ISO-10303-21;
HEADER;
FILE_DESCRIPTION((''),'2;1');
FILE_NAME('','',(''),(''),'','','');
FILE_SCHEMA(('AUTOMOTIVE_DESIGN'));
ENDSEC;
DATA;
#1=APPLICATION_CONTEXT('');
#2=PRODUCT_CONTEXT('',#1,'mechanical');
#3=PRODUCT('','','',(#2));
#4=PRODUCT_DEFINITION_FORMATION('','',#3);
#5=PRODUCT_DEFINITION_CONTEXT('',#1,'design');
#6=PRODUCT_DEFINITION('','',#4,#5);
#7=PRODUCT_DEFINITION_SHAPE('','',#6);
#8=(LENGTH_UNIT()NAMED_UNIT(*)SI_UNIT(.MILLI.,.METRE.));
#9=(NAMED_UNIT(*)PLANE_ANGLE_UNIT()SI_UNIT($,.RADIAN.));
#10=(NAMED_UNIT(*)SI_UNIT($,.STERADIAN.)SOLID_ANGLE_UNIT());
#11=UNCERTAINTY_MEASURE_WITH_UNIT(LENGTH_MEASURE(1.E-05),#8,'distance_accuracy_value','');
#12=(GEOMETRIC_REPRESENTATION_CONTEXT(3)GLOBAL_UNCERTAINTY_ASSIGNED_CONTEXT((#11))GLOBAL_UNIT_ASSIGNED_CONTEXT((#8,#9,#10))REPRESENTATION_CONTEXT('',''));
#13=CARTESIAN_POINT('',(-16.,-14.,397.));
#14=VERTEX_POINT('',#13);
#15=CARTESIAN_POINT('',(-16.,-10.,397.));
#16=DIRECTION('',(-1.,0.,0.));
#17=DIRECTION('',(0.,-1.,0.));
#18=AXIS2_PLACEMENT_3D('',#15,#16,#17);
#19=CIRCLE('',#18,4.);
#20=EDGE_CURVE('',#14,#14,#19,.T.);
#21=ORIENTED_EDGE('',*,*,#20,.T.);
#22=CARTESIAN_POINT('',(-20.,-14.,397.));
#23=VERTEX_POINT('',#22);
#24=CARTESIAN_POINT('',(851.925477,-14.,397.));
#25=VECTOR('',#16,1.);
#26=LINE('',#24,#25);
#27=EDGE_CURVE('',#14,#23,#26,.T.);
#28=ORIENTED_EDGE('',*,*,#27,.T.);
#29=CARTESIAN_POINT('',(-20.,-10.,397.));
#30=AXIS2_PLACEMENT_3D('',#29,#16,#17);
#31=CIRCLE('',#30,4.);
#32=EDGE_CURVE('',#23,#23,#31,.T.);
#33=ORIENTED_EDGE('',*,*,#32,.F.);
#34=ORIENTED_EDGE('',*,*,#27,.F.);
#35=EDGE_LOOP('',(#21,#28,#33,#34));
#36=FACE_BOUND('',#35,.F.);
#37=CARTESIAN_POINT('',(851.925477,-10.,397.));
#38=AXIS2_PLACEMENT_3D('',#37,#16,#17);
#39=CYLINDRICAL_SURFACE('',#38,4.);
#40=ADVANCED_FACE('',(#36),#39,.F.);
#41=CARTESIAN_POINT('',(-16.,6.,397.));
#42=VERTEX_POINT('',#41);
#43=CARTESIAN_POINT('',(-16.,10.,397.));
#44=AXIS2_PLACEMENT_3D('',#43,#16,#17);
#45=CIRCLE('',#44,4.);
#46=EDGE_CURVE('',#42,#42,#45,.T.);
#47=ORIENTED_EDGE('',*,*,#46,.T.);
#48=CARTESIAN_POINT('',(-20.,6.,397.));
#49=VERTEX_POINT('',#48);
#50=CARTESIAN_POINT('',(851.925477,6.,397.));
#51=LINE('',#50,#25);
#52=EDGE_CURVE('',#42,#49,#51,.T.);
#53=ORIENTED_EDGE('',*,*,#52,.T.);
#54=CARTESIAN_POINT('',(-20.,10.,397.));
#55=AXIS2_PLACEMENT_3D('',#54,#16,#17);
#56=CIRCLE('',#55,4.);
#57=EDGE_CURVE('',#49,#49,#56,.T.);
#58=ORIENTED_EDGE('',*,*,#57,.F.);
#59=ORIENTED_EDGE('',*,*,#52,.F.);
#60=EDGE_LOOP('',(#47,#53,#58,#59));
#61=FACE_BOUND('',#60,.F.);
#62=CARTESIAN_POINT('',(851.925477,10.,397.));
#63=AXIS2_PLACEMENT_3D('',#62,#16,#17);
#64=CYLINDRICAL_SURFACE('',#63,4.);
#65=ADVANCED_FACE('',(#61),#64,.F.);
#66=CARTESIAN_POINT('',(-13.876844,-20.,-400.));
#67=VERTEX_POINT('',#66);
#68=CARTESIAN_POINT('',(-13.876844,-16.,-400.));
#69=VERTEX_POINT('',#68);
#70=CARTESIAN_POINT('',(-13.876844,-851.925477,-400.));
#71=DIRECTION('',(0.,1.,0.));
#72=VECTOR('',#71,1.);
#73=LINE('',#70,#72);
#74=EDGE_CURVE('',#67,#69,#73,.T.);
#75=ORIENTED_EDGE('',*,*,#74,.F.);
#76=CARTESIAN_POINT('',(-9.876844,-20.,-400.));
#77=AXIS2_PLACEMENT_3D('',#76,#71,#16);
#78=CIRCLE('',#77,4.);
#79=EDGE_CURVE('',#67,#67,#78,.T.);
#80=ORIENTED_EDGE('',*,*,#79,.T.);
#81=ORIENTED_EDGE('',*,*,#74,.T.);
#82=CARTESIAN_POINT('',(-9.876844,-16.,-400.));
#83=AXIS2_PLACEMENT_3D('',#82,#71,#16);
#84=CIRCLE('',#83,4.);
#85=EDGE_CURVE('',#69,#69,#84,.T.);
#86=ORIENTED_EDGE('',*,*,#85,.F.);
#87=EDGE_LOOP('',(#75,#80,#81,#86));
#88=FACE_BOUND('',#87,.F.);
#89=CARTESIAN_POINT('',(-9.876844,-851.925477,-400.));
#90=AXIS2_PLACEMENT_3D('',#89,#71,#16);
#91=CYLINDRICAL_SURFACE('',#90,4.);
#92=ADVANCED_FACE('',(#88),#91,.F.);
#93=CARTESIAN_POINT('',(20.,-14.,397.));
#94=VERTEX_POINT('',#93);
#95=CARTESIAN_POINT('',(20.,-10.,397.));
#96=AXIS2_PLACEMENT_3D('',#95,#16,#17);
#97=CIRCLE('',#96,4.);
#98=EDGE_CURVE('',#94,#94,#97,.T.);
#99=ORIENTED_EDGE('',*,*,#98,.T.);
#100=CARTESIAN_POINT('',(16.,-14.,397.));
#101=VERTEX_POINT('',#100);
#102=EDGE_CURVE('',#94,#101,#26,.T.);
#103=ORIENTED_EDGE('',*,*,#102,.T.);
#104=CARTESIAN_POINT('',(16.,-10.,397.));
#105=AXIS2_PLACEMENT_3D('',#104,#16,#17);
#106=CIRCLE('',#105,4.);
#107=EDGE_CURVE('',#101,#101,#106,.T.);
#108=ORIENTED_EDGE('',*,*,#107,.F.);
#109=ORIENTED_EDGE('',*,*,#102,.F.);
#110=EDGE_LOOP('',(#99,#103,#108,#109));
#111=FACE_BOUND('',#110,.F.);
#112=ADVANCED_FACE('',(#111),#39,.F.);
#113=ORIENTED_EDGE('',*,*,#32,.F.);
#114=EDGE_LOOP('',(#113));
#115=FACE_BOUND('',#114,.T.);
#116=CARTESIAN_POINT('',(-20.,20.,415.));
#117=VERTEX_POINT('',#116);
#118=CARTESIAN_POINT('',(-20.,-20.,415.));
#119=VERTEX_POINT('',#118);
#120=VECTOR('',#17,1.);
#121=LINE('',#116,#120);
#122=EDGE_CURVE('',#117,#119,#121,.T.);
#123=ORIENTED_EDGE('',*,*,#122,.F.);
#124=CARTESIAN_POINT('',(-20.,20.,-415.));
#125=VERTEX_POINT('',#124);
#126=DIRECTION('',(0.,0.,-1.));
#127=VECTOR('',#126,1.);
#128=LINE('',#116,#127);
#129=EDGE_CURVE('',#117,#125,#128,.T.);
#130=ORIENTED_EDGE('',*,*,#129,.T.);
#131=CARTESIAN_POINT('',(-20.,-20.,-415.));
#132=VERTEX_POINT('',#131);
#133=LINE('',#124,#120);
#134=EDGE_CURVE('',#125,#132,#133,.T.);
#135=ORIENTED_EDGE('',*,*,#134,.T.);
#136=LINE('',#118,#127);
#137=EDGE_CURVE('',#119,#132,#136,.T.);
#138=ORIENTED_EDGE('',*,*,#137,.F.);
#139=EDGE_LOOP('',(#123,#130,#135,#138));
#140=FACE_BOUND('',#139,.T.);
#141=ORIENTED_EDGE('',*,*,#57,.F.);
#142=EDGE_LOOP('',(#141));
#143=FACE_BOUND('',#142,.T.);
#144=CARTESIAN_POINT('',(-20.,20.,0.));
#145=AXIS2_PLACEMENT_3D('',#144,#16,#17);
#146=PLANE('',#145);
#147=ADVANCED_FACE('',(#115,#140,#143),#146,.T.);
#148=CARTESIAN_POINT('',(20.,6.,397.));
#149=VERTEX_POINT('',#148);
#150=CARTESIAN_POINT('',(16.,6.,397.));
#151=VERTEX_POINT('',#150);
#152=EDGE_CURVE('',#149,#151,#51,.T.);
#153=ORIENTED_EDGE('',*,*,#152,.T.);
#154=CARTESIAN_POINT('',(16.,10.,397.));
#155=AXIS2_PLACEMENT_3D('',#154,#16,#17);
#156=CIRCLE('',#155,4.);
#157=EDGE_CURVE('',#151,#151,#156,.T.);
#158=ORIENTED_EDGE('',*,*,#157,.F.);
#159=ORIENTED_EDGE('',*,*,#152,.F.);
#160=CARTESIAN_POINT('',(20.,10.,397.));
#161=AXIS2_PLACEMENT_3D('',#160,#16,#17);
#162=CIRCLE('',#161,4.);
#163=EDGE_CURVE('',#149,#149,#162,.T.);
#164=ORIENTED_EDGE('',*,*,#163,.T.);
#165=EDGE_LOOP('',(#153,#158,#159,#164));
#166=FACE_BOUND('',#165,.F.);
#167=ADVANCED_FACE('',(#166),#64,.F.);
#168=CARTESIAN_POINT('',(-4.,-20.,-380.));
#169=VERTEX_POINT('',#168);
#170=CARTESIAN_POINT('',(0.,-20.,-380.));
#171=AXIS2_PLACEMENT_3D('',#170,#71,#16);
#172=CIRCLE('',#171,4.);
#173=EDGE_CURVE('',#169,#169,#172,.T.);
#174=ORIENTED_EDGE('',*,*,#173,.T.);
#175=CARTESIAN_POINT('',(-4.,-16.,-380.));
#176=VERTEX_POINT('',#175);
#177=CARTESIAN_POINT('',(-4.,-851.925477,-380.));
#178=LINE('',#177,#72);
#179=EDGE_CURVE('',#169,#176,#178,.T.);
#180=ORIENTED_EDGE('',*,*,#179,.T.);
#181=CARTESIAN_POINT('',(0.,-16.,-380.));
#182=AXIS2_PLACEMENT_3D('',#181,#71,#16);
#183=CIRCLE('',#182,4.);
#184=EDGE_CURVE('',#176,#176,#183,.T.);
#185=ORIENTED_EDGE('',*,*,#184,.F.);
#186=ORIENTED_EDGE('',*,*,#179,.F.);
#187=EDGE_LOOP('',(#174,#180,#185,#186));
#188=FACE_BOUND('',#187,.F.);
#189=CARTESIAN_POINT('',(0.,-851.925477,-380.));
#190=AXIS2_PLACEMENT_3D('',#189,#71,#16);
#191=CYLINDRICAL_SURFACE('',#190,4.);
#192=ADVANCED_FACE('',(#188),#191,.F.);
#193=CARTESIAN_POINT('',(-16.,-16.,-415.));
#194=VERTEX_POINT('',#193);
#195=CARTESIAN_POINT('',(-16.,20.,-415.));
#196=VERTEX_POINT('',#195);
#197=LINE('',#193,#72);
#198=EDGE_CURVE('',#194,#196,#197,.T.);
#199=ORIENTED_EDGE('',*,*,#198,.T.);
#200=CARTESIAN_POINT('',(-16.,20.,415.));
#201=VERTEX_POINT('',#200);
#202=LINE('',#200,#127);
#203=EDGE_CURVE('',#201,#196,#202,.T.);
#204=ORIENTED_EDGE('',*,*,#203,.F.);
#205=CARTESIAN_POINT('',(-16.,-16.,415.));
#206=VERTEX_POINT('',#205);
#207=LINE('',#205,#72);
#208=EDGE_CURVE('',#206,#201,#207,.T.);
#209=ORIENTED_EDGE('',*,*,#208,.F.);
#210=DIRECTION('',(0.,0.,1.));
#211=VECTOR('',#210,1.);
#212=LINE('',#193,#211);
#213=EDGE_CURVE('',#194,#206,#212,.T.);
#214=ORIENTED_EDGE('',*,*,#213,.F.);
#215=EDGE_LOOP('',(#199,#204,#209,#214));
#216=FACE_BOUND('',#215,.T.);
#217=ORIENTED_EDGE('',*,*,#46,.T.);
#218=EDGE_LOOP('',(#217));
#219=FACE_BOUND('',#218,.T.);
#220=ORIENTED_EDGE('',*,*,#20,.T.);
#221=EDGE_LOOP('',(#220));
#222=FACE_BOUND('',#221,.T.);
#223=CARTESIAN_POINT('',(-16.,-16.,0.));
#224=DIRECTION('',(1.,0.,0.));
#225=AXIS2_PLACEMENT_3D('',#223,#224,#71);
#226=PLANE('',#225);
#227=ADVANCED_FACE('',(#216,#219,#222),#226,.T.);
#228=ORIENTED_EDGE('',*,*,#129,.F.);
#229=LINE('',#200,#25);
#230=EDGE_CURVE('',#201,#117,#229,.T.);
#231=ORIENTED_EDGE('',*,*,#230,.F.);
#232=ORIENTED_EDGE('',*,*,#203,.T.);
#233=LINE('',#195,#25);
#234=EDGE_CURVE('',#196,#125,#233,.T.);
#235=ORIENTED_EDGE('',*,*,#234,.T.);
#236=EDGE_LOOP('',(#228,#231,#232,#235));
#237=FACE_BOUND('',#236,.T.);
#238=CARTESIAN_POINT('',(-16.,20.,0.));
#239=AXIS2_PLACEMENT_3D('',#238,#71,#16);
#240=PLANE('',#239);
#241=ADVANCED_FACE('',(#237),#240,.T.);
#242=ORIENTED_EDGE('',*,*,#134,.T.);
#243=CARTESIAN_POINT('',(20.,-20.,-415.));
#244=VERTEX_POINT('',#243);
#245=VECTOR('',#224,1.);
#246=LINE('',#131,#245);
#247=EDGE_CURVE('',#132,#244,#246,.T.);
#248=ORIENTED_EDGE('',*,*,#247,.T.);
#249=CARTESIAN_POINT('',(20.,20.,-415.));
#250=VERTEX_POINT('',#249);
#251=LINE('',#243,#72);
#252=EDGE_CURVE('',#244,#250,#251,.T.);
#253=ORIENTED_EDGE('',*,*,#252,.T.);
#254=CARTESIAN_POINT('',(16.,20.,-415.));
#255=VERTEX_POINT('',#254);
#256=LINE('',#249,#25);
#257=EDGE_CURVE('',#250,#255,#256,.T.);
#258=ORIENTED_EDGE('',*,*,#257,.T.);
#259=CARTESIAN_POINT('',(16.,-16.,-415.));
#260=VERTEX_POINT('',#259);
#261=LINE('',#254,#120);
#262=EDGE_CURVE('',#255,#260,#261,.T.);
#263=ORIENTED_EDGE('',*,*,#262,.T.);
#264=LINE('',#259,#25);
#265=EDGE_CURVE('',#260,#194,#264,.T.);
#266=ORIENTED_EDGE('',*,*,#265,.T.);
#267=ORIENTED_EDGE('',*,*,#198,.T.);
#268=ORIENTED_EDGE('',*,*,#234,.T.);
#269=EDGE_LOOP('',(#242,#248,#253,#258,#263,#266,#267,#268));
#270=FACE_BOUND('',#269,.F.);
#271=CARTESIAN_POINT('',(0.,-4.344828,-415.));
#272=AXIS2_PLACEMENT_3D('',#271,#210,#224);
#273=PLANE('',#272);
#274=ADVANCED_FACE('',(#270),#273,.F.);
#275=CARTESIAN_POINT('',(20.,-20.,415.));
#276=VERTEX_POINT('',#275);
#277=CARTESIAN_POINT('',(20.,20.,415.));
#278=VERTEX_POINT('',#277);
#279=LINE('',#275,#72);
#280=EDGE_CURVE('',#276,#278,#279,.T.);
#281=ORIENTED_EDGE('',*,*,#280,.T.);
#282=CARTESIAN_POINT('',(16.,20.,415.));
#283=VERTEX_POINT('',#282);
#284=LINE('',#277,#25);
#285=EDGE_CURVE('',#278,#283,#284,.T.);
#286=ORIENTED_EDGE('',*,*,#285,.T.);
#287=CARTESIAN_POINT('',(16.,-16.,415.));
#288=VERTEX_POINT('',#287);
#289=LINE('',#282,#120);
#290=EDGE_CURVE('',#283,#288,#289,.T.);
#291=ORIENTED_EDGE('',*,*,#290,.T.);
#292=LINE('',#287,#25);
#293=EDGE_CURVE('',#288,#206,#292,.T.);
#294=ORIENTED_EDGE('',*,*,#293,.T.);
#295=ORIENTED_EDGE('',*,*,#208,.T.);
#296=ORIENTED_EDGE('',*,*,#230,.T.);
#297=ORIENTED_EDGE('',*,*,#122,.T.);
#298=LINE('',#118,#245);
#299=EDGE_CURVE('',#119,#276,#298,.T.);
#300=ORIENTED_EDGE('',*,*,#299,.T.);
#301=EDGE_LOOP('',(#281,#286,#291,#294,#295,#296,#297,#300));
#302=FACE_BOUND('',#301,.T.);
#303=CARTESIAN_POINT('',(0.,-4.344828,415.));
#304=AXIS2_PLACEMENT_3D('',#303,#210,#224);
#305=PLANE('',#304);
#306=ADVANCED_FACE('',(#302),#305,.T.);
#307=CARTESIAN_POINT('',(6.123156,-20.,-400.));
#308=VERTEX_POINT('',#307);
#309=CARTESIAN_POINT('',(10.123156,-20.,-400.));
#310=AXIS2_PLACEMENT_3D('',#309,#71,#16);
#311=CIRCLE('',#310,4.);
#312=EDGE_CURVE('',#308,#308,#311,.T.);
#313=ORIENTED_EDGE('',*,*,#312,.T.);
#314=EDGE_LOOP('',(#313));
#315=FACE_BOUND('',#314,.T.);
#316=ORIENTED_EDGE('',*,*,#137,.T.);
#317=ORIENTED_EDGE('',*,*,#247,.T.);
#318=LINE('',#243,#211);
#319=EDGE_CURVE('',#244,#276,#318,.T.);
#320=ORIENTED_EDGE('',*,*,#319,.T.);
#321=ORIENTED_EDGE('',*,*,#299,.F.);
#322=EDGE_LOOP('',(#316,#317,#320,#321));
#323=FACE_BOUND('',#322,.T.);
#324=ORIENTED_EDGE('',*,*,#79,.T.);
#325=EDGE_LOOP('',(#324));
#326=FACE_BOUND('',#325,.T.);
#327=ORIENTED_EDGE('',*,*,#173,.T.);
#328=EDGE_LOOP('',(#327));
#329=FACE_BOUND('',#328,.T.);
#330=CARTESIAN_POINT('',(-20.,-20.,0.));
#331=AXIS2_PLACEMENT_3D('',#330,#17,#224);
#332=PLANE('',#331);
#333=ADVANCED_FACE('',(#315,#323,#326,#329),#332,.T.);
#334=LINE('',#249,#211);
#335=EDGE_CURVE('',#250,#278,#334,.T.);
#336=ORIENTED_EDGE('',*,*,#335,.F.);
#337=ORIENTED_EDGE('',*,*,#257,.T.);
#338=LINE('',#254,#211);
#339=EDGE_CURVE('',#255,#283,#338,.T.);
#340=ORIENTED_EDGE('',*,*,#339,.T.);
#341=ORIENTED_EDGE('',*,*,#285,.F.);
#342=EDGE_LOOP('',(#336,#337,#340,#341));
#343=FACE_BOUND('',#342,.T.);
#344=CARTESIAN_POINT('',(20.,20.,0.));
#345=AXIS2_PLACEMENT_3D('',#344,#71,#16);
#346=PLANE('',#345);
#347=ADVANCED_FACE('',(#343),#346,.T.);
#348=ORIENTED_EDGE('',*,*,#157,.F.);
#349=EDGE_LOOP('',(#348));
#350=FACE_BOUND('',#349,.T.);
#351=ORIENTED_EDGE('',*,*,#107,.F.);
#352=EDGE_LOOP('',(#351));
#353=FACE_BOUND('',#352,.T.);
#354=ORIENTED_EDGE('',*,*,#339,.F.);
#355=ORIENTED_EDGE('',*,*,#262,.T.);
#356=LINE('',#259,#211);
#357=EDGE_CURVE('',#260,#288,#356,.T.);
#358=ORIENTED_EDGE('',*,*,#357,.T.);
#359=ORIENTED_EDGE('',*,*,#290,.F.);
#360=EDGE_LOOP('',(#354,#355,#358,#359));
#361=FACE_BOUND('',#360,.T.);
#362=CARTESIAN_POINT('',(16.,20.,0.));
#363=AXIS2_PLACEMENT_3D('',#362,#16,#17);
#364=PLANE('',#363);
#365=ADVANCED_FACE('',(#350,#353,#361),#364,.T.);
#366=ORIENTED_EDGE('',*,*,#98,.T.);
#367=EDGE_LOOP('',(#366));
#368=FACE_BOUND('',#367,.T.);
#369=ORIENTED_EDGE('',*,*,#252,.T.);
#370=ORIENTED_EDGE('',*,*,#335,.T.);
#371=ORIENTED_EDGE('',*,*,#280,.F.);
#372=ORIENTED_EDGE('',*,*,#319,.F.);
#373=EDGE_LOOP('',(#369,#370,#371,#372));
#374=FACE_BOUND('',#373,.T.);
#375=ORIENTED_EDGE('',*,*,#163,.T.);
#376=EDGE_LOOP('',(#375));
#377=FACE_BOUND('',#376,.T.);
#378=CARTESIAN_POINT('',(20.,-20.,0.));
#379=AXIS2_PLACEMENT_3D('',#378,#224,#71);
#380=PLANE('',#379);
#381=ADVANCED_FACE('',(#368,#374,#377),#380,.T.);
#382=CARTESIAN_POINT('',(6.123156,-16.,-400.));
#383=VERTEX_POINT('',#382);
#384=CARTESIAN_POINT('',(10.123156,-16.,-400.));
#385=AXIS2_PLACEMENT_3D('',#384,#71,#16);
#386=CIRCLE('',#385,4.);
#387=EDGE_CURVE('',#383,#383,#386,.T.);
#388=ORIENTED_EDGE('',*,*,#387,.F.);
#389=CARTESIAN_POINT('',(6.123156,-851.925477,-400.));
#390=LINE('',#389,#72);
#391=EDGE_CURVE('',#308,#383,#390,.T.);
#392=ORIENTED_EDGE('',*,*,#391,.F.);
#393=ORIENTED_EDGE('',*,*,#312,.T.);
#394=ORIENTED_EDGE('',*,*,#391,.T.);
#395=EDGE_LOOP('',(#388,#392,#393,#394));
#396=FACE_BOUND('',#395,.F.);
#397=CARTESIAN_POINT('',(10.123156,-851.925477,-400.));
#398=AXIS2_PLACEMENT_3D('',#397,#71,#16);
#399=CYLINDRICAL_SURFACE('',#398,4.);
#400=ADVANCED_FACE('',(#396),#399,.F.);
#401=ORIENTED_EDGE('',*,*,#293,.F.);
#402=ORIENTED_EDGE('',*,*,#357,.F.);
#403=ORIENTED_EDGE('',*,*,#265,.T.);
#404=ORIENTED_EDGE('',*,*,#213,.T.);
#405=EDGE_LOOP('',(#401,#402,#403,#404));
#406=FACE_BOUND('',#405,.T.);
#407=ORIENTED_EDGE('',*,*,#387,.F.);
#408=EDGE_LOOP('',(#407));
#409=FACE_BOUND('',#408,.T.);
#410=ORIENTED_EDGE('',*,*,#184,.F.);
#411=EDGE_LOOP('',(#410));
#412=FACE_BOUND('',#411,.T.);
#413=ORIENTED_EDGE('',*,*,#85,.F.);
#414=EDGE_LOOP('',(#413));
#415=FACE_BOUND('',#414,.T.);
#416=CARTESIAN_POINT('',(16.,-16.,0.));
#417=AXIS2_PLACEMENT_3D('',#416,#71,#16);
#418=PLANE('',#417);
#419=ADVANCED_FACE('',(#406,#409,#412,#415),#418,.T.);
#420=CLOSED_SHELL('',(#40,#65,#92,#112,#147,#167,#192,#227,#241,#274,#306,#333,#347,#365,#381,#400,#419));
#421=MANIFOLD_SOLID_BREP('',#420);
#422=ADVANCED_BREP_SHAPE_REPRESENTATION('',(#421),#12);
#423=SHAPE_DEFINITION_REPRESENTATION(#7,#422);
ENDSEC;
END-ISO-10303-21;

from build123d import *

# Parameters (mm, degrees)
F1_DEPTH = 415
F3_D     = 8
F5_D     = 8


with BuildPart() as f1:
    # F0 (on Top) → F1 (new body, symmetric)
    with BuildSketch(Plane.XY):
        Polygon((-20, -20), (20, -20), (20, 20), (16, 20), (16, -16), (-16, -16), (-16, 20), (-20, 20), align=None)
    extrude(amount=F1_DEPTH, both=True)

    # F3 (through all)
    with Locations(Plane.YZ.offset(20)):
        with Locations((-10, 397), (10, 397)):
            Hole(F3_D / 2)

    # F5 (through all)
    with Locations(Plane.XZ.offset(20)):
        with Locations((0, -380), (10.1231555268, -400), (-9.8768444732, -400)):
            Hole(F5_D / 2)


solid = f1.part
